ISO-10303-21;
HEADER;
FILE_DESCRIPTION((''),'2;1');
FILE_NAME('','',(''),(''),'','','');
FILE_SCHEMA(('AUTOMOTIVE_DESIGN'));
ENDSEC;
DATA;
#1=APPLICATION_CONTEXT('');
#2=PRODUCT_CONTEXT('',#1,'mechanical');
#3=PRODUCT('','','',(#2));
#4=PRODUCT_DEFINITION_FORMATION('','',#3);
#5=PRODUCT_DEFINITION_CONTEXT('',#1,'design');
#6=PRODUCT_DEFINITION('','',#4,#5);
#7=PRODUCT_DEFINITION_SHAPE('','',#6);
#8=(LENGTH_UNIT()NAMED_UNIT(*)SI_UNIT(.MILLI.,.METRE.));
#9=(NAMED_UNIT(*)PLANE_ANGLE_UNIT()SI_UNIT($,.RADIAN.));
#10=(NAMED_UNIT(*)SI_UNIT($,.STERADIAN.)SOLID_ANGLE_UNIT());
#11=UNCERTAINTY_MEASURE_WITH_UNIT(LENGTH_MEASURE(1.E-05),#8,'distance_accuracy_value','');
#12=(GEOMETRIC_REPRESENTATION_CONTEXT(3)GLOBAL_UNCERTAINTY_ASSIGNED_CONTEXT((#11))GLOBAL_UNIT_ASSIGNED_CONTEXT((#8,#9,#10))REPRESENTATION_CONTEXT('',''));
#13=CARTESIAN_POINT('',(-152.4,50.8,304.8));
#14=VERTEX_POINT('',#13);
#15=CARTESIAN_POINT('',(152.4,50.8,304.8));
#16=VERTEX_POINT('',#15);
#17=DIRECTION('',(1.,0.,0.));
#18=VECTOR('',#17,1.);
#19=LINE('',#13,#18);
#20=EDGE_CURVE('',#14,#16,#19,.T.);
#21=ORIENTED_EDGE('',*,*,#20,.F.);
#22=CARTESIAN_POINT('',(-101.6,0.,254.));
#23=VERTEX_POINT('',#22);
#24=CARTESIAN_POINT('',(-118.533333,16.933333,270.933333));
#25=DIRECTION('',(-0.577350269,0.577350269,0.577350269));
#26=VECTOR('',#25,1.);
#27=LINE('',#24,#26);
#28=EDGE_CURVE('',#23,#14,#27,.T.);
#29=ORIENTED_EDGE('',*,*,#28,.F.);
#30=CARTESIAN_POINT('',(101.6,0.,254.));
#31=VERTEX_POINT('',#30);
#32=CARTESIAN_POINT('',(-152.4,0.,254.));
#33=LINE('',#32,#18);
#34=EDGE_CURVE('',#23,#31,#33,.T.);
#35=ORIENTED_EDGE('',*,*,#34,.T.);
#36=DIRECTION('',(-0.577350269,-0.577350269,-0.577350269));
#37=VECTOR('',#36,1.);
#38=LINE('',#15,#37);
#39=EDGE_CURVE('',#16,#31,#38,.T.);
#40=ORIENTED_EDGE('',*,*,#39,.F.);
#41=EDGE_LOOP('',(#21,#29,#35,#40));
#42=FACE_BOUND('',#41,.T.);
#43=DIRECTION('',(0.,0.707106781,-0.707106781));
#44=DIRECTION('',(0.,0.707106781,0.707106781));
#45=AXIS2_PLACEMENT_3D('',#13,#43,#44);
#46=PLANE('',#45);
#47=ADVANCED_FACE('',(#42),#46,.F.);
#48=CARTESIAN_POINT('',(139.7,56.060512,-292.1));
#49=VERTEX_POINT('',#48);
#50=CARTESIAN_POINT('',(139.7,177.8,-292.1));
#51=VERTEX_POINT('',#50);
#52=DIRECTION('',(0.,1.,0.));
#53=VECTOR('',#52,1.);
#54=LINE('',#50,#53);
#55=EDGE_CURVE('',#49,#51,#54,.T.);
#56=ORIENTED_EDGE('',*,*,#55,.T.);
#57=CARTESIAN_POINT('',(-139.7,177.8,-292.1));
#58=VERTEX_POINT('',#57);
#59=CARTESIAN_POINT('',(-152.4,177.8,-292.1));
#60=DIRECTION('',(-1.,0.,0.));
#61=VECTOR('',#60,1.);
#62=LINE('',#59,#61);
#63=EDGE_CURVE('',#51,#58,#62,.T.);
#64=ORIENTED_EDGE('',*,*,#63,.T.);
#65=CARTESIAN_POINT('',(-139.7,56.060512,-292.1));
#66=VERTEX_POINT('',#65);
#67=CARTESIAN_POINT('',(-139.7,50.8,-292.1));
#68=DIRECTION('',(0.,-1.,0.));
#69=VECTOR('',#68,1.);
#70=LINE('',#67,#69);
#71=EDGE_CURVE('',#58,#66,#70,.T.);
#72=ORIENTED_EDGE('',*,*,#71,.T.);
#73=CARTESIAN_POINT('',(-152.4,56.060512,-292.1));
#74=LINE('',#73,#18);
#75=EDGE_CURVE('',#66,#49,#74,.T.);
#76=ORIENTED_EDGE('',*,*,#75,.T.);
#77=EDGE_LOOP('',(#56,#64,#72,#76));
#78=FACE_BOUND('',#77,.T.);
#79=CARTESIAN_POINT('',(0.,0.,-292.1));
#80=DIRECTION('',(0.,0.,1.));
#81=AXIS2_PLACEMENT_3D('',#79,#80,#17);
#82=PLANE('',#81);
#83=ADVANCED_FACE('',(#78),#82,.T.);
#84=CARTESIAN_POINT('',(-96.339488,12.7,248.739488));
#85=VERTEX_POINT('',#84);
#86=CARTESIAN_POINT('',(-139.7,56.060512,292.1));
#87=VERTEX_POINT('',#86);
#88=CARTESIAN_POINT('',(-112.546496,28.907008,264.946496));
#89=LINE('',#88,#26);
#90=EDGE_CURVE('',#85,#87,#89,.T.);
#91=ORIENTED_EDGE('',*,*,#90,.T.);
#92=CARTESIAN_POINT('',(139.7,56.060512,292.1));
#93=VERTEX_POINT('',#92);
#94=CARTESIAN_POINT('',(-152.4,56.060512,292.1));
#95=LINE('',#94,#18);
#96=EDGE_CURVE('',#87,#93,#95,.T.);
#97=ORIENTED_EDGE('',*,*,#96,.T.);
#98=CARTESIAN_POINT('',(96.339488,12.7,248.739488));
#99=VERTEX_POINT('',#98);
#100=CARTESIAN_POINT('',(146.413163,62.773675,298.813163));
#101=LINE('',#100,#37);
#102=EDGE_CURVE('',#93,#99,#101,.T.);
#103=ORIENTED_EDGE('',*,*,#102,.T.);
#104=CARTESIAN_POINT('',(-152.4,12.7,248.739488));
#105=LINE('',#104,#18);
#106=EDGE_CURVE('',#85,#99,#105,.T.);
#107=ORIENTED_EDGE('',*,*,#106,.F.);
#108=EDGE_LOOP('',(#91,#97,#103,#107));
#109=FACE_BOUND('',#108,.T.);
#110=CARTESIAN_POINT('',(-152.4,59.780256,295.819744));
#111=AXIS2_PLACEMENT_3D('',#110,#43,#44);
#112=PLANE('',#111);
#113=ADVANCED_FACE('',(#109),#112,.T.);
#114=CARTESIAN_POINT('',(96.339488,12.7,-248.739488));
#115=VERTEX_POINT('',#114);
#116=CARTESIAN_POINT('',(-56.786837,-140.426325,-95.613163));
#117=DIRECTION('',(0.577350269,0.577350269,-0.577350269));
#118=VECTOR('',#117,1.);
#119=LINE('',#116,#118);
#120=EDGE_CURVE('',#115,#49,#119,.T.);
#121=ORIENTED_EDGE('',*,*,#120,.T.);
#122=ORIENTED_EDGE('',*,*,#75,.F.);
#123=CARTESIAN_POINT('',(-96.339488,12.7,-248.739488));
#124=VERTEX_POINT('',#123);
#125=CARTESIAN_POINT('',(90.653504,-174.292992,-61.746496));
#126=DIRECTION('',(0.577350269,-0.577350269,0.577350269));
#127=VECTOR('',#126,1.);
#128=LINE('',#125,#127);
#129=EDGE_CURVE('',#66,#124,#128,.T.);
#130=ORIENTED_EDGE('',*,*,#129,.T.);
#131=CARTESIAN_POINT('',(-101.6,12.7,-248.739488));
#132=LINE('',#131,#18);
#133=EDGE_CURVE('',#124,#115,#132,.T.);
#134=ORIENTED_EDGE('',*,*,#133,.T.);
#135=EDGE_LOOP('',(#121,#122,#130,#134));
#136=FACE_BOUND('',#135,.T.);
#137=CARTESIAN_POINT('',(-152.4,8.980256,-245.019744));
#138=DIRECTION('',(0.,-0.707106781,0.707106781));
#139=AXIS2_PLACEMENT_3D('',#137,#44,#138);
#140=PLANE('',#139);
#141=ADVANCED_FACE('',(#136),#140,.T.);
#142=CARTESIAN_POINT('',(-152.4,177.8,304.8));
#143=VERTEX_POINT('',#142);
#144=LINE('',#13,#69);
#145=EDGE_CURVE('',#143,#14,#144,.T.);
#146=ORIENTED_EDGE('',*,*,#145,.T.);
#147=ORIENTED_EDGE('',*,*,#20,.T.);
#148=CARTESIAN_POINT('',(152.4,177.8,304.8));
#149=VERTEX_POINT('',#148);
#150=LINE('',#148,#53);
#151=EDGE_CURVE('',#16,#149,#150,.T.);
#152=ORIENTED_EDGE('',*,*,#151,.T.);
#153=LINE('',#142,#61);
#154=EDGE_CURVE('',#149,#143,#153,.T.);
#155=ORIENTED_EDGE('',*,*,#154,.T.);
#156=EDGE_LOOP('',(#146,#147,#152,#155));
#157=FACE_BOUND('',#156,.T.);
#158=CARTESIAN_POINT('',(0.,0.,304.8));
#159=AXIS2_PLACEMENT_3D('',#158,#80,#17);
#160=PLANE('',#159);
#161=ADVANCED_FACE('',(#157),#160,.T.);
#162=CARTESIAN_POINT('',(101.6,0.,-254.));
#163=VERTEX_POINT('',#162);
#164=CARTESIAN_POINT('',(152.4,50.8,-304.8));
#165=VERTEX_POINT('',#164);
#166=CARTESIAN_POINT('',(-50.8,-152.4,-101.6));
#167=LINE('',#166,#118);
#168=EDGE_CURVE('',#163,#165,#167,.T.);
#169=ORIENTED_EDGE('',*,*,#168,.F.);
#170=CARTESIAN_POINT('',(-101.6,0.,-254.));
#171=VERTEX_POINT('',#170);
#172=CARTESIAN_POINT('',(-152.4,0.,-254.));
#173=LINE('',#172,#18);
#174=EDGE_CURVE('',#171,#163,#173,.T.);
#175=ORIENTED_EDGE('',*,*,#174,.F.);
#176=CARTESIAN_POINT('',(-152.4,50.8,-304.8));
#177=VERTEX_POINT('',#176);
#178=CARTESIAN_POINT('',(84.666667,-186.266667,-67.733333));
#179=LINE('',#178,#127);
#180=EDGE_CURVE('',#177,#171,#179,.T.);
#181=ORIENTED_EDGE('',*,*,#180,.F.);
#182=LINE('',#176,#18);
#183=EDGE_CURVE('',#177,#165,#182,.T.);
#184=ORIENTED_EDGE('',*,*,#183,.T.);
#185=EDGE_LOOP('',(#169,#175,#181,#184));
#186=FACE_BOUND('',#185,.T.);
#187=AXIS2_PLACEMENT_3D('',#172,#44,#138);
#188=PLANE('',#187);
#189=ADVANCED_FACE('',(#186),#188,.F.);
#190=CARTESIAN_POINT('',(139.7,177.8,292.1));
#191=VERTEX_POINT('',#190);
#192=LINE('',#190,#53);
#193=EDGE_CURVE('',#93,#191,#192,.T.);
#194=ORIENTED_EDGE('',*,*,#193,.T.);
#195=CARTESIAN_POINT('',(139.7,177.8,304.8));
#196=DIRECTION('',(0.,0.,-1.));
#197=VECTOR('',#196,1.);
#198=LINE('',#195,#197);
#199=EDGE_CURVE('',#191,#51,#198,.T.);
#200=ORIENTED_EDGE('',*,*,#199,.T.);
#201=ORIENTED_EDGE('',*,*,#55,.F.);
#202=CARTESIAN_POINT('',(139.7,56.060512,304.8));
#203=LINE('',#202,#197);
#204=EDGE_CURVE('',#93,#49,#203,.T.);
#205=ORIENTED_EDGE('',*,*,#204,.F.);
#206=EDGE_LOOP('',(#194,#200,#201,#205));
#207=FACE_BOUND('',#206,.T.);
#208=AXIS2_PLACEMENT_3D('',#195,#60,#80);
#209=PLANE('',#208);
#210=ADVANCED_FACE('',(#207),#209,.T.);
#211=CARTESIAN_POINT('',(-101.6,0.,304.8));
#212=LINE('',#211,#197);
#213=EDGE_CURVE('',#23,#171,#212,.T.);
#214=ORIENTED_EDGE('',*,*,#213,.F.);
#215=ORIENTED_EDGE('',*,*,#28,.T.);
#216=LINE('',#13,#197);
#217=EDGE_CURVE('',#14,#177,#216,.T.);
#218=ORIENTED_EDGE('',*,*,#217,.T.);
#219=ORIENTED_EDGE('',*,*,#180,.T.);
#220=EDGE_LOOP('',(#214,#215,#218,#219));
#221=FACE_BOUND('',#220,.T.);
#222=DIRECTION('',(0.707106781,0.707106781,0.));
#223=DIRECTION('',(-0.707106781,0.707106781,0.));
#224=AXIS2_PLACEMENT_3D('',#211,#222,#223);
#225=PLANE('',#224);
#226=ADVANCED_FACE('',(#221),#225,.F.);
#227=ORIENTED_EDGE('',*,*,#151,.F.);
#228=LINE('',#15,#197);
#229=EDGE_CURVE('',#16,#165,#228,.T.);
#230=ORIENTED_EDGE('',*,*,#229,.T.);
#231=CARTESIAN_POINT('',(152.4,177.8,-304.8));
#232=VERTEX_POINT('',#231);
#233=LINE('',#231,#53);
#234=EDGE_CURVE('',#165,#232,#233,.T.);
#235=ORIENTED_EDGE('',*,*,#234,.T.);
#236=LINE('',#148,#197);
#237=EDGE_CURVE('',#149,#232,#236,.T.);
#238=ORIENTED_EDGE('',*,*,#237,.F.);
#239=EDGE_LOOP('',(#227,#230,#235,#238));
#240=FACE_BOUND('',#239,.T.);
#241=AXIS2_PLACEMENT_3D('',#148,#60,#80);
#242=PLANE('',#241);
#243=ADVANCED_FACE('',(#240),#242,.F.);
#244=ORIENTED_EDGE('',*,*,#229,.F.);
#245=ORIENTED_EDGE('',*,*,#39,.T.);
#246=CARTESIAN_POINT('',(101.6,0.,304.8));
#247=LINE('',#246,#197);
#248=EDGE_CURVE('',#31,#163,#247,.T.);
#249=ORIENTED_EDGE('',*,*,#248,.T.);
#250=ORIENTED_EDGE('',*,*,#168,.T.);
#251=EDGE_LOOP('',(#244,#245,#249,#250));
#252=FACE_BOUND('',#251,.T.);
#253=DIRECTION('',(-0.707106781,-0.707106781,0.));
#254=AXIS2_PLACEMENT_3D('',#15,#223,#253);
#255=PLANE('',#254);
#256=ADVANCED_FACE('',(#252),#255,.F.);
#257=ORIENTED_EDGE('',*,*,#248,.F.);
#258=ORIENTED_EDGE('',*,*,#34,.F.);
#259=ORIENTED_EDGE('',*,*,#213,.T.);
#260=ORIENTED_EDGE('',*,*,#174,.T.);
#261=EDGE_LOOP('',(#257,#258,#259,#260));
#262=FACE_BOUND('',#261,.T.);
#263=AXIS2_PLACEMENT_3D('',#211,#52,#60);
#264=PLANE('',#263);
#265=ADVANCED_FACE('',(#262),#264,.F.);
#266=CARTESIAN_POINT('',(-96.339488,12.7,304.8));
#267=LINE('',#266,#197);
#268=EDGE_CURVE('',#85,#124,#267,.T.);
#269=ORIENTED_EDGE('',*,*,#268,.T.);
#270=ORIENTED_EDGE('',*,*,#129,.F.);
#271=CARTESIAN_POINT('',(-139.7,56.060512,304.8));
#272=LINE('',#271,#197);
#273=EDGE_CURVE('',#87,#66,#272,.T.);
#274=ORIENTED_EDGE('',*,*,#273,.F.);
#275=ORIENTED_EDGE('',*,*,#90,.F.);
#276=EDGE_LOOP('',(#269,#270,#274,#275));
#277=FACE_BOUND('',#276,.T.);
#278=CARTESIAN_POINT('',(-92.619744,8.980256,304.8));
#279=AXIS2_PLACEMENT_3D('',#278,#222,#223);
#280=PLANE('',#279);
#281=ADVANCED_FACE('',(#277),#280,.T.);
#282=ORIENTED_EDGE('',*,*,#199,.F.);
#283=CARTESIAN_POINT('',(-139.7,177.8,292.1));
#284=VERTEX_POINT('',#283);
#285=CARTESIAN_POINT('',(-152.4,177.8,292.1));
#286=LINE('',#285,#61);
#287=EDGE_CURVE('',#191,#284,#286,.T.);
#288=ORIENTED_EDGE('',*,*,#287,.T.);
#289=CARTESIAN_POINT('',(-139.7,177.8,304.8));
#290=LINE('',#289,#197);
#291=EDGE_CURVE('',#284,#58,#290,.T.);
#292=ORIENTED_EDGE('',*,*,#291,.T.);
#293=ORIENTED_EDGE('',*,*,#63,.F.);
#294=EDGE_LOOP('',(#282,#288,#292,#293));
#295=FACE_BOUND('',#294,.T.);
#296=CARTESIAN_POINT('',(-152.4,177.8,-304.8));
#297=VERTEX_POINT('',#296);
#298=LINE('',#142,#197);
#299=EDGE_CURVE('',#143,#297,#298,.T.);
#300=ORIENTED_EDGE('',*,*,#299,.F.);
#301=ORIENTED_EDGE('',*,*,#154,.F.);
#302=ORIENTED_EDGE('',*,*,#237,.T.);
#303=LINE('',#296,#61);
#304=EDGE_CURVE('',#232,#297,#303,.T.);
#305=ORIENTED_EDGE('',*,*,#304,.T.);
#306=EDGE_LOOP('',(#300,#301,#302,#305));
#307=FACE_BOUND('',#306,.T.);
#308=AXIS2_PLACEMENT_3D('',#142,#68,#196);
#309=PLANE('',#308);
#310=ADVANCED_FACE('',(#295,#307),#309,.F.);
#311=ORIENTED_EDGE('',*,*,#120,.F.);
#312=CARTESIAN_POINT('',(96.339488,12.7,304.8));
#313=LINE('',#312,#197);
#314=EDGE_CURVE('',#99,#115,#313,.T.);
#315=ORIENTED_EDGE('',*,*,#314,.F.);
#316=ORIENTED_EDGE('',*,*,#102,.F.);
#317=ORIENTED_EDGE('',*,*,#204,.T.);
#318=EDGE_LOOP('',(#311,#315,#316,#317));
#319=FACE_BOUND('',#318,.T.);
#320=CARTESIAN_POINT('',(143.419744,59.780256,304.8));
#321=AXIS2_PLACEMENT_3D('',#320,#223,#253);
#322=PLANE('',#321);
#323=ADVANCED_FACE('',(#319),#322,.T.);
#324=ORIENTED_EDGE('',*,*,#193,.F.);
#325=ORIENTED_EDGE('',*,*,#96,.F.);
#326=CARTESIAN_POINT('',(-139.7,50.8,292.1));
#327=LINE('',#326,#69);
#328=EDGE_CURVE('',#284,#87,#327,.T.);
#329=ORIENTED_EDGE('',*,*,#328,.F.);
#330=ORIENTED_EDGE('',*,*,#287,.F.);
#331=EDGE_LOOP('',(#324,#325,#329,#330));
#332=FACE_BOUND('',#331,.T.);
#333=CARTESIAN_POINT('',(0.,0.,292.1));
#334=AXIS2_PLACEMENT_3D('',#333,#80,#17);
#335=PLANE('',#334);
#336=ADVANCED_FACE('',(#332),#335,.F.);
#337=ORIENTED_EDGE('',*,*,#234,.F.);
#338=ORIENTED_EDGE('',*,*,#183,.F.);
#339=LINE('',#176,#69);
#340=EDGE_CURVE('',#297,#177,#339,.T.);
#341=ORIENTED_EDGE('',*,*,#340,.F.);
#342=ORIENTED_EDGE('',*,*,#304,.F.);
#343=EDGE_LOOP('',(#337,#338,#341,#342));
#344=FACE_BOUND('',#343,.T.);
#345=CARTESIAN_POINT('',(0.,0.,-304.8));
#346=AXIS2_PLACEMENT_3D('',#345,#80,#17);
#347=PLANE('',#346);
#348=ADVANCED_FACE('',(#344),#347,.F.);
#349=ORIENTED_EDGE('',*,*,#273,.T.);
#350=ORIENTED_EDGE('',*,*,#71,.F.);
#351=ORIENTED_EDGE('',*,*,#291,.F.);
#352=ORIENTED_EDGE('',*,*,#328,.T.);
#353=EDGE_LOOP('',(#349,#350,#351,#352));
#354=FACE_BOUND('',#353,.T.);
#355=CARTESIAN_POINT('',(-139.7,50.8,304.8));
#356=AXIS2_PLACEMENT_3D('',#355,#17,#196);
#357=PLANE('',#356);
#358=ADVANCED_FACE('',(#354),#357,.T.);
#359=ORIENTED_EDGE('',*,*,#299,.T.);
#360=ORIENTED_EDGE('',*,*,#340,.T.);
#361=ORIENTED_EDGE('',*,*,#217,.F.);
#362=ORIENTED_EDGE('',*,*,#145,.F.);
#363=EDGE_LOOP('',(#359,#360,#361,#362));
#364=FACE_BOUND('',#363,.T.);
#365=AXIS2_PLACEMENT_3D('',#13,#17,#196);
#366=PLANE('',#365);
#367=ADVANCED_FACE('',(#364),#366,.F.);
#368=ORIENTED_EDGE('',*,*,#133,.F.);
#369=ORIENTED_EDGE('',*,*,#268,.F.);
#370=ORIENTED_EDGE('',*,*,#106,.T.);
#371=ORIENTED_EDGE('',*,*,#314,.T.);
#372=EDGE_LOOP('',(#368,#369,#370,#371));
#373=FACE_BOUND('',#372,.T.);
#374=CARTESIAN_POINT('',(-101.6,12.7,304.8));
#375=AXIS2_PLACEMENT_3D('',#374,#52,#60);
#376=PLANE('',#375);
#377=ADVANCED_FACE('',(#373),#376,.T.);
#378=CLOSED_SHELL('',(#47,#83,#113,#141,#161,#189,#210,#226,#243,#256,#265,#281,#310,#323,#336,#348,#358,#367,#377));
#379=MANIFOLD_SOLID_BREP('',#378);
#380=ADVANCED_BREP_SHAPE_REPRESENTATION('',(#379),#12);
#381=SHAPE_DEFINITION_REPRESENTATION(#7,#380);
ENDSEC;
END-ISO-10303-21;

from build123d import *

# Parameters (mm, degrees)
BOSS_EXTRUDE1_DEPTH     = 304.8
CUT_EXTRUDE2_DEPTH      = 385.371747141
CUT_EXTRUDE2_DEPTH_BACK = 385.371747141
SHELL1_T                = -12.7


with BuildPart() as part:
    # Sketch1 → Boss-Extrude1 (new, symmetric)
    with BuildSketch(Plane.XY):
        Polygon((-101.6, 0), (101.6, 0), (152.4, 50.8), (152.4, 177.8), (-152.4, 177.8), (-152.4, 50.8), align=None)
    extrude(amount=BOSS_EXTRUDE1_DEPTH, both=True)

    # Sketch3 → Cut-Extrude2 (cut, two sides: drawn at the far end of the back side and taken through both)
    with BuildSketch(Plane(origin=(0, 0, 0), x_dir=(0, 0, -1), z_dir=(1, 0, 0)).offset(-CUT_EXTRUDE2_DEPTH_BACK)):
        Polygon((-304.8, 50.8), (-304.8, 0), (-254, 0), align=None)
        Polygon((304.8, 50.8), (304.8, 0), (254, 0), align=None)
    extrude(amount=CUT_EXTRUDE2_DEPTH + CUT_EXTRUDE2_DEPTH_BACK, mode=Mode.SUBTRACT)

    # Shell1
    shell1_openings = [part.faces().sort_by_distance(p)[0] for p in [
        (0, 177.8, 0),
    ]]
    offset(amount=SHELL1_T, openings=shell1_openings, kind=Kind.INTERSECTION)


solid = part.part
